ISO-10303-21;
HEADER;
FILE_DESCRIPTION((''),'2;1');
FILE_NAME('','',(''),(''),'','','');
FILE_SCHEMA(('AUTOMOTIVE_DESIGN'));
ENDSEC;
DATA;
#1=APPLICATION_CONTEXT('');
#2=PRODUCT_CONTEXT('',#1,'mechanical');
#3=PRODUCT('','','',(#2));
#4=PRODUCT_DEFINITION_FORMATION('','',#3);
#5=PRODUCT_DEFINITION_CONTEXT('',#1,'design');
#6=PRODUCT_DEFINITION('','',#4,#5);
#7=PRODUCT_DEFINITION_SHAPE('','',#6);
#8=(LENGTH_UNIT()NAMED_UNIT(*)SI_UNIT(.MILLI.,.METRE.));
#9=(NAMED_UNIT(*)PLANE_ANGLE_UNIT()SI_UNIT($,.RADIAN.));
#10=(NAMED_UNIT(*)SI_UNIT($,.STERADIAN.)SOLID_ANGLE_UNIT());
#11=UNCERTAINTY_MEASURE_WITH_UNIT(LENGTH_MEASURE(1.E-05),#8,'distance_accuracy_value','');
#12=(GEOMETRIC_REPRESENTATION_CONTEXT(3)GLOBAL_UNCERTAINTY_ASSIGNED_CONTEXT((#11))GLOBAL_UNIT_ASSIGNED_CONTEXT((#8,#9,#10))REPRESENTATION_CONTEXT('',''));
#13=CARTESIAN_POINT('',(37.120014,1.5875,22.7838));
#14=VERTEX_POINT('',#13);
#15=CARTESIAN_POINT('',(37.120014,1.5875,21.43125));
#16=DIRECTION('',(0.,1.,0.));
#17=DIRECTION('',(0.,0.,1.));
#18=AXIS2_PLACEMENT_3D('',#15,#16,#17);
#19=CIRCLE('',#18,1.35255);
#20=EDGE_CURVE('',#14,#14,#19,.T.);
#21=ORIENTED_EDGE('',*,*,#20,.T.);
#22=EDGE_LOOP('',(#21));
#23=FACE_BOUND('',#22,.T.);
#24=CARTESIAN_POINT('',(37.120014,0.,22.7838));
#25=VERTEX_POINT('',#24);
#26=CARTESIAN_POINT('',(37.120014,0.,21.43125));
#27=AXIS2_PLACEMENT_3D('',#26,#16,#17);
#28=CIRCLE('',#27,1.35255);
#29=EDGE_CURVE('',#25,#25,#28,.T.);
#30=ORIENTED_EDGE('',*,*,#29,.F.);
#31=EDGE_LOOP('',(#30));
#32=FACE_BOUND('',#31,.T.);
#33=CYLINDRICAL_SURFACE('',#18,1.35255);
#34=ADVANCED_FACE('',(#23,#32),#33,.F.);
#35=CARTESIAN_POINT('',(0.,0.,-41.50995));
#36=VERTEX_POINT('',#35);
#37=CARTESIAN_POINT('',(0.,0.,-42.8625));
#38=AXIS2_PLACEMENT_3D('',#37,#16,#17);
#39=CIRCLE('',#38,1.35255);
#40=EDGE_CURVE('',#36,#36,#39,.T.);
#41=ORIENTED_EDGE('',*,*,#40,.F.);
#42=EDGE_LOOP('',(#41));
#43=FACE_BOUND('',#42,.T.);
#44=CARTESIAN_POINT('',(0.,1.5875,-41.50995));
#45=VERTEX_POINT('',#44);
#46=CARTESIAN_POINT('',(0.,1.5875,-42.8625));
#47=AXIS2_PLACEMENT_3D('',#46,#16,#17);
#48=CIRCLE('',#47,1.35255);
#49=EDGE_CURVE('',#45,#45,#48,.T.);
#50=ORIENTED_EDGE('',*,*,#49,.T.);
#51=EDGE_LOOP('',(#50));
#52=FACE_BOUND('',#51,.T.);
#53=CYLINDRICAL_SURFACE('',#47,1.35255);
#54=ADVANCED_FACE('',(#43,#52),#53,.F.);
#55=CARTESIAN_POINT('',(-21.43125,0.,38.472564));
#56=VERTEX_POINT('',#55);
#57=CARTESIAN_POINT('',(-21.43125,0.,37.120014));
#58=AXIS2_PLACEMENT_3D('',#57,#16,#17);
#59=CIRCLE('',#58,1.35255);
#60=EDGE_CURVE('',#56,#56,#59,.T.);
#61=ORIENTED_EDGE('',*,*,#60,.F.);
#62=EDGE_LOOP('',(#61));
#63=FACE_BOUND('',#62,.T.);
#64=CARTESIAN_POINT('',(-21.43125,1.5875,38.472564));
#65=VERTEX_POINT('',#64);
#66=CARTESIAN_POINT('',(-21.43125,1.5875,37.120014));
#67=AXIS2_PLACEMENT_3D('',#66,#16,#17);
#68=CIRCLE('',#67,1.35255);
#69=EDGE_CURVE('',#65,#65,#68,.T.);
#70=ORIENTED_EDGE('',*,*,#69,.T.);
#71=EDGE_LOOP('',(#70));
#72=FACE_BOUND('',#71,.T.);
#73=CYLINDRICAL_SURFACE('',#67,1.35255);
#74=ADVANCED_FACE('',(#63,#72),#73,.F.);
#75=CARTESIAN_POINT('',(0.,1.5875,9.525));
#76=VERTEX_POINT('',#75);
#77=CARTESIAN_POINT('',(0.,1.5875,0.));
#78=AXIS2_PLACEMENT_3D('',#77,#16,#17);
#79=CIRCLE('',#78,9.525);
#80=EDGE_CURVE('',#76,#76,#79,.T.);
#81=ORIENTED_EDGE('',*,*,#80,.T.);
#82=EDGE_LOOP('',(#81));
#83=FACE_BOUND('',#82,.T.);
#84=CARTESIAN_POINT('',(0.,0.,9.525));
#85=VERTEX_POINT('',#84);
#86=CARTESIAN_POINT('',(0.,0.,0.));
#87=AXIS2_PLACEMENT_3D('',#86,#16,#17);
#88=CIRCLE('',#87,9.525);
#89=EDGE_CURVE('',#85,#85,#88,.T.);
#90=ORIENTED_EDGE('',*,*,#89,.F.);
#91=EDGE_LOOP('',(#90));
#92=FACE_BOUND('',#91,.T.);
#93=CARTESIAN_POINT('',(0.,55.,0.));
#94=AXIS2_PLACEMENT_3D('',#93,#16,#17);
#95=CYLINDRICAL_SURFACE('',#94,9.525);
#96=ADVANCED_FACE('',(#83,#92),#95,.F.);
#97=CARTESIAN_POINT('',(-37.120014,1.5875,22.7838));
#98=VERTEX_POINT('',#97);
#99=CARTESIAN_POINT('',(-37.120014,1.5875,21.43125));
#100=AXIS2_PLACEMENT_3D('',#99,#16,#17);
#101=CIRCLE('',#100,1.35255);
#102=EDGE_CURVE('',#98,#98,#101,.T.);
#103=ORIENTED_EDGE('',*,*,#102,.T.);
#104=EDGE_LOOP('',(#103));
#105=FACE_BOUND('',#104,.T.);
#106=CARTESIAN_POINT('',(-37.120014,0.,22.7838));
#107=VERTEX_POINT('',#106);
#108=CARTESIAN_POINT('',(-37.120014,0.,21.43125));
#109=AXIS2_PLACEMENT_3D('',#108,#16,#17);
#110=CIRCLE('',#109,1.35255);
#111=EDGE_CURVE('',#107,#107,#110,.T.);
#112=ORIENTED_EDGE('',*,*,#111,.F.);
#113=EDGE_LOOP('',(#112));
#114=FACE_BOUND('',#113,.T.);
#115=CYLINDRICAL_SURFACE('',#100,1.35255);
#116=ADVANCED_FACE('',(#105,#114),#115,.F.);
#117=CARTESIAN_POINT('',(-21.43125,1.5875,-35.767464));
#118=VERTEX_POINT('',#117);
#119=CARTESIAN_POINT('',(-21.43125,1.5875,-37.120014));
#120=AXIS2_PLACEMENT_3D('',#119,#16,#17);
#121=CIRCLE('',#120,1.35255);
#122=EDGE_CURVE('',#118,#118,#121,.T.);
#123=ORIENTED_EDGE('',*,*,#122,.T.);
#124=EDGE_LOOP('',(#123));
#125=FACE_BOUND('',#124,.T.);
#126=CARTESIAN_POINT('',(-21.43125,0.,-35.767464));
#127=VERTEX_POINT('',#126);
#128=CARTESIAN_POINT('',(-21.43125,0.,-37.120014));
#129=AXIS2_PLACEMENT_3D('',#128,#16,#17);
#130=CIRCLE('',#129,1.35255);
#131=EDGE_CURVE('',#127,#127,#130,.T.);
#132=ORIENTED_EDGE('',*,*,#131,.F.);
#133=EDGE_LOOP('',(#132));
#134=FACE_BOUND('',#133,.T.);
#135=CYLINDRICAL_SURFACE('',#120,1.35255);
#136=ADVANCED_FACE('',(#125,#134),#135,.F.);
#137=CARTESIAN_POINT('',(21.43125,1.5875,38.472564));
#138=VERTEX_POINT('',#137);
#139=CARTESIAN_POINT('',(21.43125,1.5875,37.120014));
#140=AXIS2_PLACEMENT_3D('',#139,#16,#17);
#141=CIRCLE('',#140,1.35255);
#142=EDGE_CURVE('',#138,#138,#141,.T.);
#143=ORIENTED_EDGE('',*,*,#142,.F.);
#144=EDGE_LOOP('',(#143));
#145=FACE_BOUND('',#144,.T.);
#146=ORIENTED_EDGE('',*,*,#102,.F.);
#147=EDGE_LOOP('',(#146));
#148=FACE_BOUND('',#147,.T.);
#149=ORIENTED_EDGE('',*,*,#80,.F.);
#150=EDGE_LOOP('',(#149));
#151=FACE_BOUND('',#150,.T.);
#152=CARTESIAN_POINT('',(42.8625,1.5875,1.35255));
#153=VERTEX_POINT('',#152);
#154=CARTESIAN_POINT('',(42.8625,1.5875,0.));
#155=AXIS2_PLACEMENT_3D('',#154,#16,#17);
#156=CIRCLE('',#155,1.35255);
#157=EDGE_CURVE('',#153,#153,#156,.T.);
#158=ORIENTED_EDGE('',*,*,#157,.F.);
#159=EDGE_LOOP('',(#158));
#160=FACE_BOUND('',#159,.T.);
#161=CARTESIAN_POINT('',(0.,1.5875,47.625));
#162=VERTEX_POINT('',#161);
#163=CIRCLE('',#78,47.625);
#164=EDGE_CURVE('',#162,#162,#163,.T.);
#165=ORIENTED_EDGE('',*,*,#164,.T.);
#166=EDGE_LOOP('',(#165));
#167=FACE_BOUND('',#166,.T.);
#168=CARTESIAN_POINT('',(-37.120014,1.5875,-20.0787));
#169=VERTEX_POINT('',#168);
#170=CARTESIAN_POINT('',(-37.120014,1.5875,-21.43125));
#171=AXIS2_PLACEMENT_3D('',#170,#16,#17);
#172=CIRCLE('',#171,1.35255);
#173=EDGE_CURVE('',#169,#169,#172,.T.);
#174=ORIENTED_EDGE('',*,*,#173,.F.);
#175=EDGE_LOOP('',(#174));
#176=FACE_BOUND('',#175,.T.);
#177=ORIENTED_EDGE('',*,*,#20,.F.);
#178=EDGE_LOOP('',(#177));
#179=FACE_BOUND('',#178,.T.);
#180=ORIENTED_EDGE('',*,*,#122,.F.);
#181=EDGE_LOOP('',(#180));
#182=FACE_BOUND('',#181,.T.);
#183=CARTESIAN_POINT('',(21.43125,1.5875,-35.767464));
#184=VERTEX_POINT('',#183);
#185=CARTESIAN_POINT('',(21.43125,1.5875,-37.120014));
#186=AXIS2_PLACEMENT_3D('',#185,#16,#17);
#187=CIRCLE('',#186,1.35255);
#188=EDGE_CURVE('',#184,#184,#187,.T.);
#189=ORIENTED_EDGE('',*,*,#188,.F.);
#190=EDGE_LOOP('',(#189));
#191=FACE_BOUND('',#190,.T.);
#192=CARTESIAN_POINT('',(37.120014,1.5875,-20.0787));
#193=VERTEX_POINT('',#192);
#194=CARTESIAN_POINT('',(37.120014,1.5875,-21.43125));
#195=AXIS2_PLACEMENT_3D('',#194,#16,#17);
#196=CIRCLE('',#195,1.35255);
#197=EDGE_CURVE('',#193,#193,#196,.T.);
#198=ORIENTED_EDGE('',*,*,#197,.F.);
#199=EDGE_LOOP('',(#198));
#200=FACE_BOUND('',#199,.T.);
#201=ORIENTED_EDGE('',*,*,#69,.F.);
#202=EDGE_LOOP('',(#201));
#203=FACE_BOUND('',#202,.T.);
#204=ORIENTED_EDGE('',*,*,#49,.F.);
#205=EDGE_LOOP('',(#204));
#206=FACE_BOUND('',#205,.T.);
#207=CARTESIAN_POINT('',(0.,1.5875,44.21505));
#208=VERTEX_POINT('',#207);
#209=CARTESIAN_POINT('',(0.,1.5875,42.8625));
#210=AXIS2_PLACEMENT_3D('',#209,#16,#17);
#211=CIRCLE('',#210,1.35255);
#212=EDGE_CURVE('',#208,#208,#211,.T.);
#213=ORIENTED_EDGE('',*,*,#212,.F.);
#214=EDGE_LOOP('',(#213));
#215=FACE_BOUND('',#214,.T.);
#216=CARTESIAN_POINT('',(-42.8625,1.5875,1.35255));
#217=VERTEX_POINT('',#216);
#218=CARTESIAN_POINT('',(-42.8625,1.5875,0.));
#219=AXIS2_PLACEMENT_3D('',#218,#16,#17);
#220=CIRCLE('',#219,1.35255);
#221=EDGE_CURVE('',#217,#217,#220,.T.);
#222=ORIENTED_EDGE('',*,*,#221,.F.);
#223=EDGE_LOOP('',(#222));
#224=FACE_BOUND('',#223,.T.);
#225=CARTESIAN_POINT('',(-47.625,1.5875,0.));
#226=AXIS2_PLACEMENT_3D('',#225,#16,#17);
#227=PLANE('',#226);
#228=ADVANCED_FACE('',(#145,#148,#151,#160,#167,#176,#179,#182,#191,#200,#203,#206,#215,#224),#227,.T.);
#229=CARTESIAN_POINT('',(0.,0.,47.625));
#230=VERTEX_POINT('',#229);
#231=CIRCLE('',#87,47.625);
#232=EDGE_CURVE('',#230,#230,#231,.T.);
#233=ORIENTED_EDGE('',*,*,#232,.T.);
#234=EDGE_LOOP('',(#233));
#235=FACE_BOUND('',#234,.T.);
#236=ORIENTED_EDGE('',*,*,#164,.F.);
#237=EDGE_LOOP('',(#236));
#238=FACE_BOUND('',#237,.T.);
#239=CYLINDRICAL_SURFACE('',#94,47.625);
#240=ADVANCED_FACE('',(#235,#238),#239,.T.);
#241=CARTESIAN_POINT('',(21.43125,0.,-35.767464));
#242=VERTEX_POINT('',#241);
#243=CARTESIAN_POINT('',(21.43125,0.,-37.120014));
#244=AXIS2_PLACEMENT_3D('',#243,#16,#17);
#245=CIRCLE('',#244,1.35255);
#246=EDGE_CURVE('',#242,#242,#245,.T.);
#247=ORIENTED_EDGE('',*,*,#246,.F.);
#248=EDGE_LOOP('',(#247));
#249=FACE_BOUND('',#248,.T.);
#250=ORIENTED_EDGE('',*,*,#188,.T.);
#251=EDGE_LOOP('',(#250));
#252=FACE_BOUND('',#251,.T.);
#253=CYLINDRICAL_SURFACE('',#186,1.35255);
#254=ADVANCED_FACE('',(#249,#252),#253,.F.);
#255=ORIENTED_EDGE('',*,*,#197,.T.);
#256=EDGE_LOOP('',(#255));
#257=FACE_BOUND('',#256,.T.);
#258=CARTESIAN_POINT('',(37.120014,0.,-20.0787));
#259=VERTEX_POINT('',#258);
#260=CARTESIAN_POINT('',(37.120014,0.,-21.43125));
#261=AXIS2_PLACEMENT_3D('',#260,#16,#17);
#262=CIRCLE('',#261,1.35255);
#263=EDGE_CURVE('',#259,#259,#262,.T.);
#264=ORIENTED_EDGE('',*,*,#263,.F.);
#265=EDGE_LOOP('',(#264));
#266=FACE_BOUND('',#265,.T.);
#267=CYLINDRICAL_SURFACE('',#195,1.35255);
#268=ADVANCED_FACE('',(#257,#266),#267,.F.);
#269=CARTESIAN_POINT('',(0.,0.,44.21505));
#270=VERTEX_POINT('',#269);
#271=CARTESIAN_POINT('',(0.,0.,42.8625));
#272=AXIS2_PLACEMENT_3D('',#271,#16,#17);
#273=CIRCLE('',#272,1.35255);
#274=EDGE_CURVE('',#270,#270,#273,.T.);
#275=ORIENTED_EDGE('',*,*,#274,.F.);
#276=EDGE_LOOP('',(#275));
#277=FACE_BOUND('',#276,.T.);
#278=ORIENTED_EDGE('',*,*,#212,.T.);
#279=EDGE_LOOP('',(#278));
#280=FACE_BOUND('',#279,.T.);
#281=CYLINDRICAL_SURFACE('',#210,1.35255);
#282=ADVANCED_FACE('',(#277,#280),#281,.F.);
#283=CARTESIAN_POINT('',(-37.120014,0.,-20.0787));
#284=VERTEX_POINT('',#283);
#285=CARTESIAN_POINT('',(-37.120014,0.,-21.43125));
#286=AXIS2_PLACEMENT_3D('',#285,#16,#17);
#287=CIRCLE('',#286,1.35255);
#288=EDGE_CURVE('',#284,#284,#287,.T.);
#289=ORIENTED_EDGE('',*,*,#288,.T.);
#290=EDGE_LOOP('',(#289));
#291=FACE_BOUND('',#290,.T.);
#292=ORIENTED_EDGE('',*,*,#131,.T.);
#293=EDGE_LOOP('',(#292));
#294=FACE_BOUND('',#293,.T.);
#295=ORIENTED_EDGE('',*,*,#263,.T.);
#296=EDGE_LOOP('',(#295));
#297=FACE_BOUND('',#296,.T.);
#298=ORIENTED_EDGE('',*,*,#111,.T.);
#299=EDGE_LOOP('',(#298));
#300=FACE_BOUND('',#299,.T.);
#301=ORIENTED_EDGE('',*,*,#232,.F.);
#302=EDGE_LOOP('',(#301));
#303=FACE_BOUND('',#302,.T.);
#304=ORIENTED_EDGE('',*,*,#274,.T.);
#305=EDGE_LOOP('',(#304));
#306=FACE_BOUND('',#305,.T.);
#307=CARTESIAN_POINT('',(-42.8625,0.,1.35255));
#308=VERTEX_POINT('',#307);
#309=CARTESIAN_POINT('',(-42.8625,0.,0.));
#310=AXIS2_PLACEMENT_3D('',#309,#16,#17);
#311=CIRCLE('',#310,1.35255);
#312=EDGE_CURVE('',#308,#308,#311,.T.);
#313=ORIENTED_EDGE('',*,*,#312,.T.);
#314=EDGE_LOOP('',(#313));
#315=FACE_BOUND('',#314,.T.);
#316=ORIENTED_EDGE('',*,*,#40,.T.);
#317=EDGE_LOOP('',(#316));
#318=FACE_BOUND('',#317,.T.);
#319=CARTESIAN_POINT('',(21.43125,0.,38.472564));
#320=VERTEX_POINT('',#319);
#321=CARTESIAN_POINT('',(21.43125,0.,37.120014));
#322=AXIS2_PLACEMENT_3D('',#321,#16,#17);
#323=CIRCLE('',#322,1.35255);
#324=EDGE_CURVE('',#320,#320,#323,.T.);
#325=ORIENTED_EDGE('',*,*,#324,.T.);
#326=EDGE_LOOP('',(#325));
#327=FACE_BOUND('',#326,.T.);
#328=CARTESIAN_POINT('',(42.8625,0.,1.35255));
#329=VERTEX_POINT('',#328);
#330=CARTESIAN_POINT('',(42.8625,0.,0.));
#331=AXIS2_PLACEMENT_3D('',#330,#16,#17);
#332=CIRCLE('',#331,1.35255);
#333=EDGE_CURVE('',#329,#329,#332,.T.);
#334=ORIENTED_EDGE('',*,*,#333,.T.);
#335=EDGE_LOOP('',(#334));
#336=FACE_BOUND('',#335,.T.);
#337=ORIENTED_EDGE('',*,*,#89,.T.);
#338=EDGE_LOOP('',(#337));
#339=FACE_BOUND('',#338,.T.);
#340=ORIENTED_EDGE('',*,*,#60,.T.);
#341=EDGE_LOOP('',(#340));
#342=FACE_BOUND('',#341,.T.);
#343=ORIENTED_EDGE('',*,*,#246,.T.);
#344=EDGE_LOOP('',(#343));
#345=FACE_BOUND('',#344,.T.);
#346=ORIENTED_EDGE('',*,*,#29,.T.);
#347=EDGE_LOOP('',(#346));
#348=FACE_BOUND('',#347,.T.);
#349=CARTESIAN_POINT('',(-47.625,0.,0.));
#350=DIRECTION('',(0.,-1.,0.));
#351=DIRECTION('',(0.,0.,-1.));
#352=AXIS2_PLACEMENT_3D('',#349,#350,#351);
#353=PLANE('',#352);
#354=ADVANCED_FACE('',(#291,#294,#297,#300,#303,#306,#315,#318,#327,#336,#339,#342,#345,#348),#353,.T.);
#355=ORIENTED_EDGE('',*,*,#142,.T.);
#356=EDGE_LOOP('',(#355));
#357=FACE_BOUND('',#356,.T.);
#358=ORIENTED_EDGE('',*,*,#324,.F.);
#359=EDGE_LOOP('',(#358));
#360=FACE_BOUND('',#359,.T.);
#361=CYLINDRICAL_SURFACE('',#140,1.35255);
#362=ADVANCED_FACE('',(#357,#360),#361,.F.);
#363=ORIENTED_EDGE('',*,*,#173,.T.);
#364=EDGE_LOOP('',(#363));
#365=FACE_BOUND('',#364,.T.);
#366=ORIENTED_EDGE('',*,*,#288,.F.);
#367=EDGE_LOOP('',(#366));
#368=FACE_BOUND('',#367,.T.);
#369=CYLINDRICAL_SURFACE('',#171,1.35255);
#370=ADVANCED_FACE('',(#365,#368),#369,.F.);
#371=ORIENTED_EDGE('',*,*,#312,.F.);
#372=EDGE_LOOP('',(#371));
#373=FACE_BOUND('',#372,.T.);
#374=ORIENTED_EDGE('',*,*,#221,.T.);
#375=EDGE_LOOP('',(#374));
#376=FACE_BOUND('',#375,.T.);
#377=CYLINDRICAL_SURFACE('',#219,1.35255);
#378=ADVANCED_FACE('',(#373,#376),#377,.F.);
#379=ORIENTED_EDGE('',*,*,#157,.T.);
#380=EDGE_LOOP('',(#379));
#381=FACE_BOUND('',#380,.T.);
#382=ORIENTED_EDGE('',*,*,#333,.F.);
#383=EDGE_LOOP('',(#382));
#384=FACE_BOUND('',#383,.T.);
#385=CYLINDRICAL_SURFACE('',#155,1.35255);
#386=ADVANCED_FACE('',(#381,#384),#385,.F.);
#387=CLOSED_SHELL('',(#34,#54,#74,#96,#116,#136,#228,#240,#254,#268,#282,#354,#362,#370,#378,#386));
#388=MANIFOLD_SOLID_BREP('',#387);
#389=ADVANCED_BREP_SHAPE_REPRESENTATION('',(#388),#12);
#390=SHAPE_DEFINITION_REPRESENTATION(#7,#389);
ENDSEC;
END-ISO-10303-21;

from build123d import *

# Parameters (mm, degrees)
SKETCH1_W                    = 38.1
SKETCH1_H                    = 1.5875
F_36_0_1065_DIAMETER_HOLE1_D = 2.7051
CIRPATTERN1_COUNT            = 12


with BuildPart() as part:
    # Sketch1 → Revolve1 (revolve)
    with BuildSketch(Plane.XY):
        with Locations((-28.575, 0.79375)):
            Rectangle(SKETCH1_W, SKETCH1_H)
    revolve(axis=Axis((0, 55, 0), (0, -1, 0)))

    # #36 (0.1065) Diameter Hole1 (through all)
    with Locations(Plane(origin=(0, 1.5875, 0), x_dir=(1, 0, 0), z_dir=(0, 1, 0))):
        with Locations((-42.8625, 0)):
            f_36_0_1065_diameter_hole1 = Hole(F_36_0_1065_DIAMETER_HOLE1_D / 2)

    # CirPattern1: #36 (0.1065) Diameter Hole1 ×12 about axis
    cirpattern1_axis = Axis((0, 0, 0), (0, 1, 0))
    for i in range(1, CIRPATTERN1_COUNT):
        add(f_36_0_1065_diameter_hole1.rotate(cirpattern1_axis, i * 360 / CIRPATTERN1_COUNT), mode=Mode.SUBTRACT)


solid = part.part
